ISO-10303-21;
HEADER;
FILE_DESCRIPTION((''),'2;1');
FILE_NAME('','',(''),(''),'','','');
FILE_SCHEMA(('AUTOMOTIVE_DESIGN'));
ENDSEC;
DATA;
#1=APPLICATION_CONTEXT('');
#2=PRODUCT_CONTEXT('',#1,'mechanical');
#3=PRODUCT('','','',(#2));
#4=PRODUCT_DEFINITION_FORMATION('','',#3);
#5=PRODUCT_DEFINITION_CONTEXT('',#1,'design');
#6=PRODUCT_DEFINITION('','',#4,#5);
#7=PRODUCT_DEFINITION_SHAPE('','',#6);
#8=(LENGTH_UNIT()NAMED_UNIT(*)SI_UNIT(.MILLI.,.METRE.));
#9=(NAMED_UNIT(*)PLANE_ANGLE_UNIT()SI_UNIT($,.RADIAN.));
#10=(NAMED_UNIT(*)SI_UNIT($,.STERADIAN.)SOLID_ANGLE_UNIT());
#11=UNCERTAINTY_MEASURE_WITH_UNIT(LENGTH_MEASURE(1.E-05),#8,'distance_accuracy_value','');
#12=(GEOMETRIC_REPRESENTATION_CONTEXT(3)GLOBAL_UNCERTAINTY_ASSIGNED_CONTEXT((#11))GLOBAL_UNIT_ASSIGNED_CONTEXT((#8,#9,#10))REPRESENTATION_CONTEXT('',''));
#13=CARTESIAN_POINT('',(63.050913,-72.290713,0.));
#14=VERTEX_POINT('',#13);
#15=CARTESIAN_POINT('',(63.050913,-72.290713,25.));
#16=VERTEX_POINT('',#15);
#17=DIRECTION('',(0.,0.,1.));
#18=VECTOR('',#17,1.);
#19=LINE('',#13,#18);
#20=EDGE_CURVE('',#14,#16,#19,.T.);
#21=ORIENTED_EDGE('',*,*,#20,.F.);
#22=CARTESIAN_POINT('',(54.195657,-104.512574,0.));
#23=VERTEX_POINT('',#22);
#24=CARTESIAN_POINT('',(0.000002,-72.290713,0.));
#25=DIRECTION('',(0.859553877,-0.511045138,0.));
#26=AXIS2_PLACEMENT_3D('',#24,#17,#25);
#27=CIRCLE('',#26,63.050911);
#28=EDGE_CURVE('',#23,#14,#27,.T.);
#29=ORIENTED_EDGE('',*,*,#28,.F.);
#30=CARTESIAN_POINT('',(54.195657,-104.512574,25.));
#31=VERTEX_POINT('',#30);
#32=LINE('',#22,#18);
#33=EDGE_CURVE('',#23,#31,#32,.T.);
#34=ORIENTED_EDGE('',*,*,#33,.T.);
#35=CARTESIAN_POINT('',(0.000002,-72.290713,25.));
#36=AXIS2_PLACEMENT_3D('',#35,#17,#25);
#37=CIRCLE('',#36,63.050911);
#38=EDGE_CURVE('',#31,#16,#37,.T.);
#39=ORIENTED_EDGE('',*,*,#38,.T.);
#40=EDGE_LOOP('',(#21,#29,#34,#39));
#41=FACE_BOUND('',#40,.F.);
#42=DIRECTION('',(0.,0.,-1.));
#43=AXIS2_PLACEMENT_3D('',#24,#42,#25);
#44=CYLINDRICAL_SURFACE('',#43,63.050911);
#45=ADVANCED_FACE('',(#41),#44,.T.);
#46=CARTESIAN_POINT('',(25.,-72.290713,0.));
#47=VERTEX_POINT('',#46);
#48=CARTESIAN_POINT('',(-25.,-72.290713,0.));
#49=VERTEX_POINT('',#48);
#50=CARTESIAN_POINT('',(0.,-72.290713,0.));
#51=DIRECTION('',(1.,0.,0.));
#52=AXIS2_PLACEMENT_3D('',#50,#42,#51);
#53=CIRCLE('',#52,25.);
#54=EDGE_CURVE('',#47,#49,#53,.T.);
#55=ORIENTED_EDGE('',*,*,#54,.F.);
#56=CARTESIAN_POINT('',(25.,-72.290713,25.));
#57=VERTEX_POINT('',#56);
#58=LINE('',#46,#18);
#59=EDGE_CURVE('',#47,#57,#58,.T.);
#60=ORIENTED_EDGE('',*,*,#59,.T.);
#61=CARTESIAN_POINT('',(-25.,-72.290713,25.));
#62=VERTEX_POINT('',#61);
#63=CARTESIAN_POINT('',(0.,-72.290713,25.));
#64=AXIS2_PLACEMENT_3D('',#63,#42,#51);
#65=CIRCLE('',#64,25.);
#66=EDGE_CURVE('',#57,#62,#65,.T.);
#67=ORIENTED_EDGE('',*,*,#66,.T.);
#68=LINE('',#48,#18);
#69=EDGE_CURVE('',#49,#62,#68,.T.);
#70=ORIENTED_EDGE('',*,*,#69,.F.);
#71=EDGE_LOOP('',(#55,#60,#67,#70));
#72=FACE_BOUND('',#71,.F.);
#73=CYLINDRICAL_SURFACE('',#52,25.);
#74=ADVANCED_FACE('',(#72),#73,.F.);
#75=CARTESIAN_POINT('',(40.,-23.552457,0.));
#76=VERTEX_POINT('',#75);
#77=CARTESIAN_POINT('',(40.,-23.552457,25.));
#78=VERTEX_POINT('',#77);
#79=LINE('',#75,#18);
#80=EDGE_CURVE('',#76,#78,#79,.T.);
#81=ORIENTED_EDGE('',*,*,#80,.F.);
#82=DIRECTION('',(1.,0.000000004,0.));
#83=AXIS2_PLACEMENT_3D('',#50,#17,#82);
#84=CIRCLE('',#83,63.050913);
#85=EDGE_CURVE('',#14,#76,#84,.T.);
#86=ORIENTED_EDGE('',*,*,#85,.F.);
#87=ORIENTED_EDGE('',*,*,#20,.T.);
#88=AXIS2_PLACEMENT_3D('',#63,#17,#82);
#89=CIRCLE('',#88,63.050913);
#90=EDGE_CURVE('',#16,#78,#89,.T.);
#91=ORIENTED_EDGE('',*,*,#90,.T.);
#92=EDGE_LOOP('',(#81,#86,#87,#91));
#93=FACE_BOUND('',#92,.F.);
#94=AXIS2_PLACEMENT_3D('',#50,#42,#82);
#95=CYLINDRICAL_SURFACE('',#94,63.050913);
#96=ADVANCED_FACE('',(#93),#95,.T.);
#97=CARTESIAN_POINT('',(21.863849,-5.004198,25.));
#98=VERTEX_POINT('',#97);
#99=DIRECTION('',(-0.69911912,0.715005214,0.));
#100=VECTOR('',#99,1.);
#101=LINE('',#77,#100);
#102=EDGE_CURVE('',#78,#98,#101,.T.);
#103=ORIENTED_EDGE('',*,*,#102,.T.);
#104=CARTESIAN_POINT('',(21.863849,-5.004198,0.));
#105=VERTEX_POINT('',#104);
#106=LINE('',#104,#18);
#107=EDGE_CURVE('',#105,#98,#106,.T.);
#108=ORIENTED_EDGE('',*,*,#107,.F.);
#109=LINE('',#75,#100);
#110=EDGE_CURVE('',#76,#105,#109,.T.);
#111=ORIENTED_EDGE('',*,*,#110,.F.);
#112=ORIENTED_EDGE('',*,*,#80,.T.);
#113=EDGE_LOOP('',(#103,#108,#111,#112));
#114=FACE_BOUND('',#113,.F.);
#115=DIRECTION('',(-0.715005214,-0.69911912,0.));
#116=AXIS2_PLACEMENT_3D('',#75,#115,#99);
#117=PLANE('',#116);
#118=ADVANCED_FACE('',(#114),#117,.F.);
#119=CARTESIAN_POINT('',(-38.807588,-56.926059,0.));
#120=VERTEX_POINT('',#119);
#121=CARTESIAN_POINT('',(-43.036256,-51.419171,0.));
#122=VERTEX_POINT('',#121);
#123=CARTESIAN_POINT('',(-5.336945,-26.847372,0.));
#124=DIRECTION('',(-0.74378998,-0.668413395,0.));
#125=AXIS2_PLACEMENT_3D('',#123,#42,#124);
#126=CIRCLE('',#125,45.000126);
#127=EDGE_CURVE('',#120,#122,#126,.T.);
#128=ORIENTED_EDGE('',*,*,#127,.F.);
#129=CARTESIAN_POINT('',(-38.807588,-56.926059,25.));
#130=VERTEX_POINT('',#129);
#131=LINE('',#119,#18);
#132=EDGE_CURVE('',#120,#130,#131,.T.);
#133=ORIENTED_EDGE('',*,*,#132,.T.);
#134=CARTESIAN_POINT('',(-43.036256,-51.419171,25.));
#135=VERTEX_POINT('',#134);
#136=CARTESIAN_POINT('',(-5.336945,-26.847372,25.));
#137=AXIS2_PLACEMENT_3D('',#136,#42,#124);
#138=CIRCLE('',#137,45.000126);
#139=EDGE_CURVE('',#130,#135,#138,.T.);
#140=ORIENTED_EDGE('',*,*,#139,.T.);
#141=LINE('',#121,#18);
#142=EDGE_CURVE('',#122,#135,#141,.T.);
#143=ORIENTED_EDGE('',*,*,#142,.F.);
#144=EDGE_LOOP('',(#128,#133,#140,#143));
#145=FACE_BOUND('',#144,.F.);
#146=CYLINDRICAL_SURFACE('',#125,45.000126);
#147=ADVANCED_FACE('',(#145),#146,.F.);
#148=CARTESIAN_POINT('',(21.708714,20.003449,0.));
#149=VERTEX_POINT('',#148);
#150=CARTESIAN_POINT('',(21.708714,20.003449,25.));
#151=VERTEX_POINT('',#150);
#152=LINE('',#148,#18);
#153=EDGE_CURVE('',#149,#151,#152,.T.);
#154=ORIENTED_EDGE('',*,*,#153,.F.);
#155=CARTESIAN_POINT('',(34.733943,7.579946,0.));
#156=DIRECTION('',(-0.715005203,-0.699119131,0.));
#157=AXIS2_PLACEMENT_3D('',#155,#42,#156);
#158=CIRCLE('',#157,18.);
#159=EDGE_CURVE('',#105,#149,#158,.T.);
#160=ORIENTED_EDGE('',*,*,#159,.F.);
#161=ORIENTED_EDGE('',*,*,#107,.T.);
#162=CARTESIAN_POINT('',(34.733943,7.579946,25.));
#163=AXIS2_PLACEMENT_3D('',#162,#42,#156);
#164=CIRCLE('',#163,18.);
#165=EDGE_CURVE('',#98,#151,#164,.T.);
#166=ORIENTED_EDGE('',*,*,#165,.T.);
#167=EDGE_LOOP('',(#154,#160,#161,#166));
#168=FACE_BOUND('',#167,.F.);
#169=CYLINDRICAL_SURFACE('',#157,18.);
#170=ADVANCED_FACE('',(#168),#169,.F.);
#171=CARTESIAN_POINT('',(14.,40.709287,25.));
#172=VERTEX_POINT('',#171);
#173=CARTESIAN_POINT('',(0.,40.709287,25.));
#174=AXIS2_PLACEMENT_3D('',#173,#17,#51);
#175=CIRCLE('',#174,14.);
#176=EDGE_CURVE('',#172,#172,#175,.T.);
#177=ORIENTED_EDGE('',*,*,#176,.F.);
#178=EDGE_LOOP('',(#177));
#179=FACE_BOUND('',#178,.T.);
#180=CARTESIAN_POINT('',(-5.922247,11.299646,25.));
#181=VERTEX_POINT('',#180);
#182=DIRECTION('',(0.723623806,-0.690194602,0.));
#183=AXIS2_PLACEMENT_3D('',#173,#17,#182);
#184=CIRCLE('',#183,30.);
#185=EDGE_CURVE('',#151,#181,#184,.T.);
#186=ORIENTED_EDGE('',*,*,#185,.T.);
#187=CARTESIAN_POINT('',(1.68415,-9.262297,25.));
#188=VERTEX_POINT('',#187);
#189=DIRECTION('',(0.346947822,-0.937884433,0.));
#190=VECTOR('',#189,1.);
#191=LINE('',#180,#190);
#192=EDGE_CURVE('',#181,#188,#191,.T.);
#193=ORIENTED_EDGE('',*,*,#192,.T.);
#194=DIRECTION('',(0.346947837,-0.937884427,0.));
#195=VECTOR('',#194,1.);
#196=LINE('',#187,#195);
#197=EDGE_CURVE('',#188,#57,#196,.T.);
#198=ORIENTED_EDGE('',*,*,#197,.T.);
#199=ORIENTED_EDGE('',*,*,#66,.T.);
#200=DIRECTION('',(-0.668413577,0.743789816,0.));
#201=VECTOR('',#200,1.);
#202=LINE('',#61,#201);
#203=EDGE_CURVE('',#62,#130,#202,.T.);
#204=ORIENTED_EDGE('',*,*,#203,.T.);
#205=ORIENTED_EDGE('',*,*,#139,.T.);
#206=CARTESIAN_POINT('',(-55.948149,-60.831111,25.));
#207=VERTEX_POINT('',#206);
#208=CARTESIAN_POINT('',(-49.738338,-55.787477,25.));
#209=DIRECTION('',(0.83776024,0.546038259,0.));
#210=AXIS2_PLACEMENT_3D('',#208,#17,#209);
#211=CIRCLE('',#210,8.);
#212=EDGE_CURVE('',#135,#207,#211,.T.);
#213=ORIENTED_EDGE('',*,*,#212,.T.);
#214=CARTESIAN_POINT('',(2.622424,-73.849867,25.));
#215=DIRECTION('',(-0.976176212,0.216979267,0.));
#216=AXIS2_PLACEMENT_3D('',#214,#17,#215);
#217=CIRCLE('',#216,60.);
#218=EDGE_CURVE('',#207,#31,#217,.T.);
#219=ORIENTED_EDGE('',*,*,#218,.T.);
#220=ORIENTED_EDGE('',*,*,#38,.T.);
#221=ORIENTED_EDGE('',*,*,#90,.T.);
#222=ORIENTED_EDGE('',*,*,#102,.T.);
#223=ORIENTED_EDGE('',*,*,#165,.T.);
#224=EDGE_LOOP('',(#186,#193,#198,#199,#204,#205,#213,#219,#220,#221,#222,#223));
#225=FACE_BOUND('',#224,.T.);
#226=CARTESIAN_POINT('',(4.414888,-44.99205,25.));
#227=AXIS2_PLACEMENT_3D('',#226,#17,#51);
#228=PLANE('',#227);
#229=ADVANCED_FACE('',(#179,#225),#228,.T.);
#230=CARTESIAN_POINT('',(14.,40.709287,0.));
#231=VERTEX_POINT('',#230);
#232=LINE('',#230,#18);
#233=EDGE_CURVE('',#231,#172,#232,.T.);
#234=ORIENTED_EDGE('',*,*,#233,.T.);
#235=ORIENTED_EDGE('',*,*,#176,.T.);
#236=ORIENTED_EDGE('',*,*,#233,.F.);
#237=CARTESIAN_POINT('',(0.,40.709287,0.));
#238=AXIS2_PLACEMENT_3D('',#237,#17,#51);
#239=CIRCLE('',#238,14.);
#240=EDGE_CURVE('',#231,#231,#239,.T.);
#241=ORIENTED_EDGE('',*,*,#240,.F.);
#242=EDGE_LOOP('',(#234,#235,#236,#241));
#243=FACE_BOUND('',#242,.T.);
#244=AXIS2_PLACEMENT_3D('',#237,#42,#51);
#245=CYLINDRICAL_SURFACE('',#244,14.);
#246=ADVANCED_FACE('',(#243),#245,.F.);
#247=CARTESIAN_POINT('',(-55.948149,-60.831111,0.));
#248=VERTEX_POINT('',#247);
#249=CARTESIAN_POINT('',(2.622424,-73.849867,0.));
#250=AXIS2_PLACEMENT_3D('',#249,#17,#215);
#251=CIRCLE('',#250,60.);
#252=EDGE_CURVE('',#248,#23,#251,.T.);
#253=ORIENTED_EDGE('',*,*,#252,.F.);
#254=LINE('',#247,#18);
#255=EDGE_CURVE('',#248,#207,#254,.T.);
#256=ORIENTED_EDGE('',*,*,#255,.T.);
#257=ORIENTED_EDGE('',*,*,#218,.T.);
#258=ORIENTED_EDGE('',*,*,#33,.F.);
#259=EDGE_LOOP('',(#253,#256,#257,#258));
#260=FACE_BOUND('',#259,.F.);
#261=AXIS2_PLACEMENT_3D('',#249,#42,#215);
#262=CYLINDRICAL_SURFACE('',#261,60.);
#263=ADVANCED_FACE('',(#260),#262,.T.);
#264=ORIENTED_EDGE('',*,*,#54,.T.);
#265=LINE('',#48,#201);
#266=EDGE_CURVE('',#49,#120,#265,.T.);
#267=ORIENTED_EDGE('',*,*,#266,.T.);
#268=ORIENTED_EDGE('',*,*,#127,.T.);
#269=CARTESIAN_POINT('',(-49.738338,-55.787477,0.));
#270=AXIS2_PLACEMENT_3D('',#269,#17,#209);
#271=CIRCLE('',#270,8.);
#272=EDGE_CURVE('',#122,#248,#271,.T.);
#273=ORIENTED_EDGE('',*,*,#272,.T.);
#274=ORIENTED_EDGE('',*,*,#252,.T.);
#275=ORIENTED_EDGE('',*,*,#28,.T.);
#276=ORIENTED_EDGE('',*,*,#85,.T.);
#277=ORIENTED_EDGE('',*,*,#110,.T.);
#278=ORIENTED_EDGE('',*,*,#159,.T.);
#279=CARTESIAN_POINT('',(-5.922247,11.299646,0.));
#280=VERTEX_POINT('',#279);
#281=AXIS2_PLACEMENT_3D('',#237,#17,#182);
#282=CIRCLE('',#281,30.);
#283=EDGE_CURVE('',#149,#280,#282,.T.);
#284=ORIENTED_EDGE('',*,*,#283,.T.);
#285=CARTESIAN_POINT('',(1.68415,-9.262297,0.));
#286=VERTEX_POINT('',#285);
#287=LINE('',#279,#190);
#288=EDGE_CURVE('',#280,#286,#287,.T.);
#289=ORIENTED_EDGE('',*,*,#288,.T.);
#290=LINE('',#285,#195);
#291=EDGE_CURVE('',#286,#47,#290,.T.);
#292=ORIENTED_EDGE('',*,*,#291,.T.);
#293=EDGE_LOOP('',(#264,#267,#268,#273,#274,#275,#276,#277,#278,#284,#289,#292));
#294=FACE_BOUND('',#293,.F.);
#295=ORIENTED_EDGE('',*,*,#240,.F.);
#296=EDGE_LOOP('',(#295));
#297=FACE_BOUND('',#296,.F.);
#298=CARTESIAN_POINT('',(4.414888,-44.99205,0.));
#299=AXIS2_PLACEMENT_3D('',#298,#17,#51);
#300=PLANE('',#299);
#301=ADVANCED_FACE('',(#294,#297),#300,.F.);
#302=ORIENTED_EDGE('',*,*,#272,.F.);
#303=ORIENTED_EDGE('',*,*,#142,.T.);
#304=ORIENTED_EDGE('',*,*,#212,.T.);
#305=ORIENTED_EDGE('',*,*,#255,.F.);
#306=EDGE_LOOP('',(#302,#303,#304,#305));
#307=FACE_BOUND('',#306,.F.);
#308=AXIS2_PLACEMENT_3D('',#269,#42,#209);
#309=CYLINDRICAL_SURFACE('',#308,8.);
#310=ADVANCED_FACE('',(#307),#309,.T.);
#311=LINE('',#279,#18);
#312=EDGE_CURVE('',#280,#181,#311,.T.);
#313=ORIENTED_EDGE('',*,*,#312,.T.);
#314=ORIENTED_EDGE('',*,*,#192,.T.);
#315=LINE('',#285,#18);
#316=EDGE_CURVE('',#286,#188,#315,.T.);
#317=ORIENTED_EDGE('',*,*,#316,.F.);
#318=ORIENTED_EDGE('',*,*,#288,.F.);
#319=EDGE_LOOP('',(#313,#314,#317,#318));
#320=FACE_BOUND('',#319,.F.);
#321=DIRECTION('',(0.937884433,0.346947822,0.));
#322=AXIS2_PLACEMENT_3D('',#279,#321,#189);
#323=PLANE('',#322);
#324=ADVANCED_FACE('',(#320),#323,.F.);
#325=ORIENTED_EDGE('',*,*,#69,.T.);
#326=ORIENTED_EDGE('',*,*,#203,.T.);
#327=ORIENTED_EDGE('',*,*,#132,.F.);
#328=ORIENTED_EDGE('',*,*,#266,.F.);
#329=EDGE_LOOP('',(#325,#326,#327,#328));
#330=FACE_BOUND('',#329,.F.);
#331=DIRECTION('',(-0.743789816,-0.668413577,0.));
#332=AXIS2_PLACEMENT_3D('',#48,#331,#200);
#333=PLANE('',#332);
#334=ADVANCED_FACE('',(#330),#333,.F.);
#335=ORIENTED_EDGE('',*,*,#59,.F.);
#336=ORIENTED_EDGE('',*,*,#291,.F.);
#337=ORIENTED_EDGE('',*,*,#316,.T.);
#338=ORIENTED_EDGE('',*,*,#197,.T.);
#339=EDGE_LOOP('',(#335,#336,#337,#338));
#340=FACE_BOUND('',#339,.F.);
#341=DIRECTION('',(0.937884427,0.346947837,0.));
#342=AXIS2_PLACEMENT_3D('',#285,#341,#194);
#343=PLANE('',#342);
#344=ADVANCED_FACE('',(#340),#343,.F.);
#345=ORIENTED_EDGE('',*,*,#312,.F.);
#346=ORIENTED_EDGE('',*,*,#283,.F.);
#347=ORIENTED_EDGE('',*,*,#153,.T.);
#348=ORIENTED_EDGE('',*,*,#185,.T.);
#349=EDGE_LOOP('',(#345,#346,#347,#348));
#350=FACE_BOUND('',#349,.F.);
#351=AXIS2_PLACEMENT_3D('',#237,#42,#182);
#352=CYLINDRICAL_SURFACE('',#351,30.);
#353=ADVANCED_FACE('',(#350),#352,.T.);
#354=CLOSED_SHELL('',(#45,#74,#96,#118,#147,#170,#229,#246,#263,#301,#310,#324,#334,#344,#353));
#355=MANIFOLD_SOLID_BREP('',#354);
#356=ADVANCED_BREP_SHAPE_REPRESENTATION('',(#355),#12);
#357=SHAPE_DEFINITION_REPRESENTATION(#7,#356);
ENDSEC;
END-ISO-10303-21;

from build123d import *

# Parameters (mm, degrees)
F0_R     = 14
F1_DEPTH = 25


with BuildPart() as f1:
    # F0 (on Top) → F1 (new body)
    with BuildSketch(Plane.XY):
        with BuildLine():
            ThreePointArc((21.863849, -5.004198), (16.734289, 7.468286), (21.708714, 20.003449))
            ThreePointArc((21.708714, 20.003449), (-9.013445, 69.323231), (-5.922247, 11.299646))
            Line((-5.922247, 11.299646), (1.68415, -9.262297))
            Line((1.68415, -9.262297), (25, -72.290713))
            ThreePointArc((25, -72.290713), (0, -97.290713), (-25, -72.290713))
            Line((-25, -72.290713), (-38.807588, -56.926059))
            ThreePointArc((-38.807588, -56.926059), (-41.028289, -54.254293), (-43.036256, -51.419171))
            ThreePointArc((-43.036256, -51.419171), (-54.45074, -49.322706), (-55.948149, -60.831111))
            ThreePointArc((-55.948149, -60.831111), (-19.496759, -129.623891), (54.195657, -104.512574))
            ThreePointArc((54.195657, -104.512574), (60.796806, -88.998974), (63.050913, -72.290713))
            ThreePointArc((63.050913, -72.290713), (56.997606, -45.333515), (40, -23.552457))
            Line((40, -23.552457), (21.863849, -5.004198))
        make_face()
        with Locations((0, 40.709287)):
            Circle(F0_R, mode=Mode.SUBTRACT)
    extrude(amount=F1_DEPTH)


solid = f1.part
